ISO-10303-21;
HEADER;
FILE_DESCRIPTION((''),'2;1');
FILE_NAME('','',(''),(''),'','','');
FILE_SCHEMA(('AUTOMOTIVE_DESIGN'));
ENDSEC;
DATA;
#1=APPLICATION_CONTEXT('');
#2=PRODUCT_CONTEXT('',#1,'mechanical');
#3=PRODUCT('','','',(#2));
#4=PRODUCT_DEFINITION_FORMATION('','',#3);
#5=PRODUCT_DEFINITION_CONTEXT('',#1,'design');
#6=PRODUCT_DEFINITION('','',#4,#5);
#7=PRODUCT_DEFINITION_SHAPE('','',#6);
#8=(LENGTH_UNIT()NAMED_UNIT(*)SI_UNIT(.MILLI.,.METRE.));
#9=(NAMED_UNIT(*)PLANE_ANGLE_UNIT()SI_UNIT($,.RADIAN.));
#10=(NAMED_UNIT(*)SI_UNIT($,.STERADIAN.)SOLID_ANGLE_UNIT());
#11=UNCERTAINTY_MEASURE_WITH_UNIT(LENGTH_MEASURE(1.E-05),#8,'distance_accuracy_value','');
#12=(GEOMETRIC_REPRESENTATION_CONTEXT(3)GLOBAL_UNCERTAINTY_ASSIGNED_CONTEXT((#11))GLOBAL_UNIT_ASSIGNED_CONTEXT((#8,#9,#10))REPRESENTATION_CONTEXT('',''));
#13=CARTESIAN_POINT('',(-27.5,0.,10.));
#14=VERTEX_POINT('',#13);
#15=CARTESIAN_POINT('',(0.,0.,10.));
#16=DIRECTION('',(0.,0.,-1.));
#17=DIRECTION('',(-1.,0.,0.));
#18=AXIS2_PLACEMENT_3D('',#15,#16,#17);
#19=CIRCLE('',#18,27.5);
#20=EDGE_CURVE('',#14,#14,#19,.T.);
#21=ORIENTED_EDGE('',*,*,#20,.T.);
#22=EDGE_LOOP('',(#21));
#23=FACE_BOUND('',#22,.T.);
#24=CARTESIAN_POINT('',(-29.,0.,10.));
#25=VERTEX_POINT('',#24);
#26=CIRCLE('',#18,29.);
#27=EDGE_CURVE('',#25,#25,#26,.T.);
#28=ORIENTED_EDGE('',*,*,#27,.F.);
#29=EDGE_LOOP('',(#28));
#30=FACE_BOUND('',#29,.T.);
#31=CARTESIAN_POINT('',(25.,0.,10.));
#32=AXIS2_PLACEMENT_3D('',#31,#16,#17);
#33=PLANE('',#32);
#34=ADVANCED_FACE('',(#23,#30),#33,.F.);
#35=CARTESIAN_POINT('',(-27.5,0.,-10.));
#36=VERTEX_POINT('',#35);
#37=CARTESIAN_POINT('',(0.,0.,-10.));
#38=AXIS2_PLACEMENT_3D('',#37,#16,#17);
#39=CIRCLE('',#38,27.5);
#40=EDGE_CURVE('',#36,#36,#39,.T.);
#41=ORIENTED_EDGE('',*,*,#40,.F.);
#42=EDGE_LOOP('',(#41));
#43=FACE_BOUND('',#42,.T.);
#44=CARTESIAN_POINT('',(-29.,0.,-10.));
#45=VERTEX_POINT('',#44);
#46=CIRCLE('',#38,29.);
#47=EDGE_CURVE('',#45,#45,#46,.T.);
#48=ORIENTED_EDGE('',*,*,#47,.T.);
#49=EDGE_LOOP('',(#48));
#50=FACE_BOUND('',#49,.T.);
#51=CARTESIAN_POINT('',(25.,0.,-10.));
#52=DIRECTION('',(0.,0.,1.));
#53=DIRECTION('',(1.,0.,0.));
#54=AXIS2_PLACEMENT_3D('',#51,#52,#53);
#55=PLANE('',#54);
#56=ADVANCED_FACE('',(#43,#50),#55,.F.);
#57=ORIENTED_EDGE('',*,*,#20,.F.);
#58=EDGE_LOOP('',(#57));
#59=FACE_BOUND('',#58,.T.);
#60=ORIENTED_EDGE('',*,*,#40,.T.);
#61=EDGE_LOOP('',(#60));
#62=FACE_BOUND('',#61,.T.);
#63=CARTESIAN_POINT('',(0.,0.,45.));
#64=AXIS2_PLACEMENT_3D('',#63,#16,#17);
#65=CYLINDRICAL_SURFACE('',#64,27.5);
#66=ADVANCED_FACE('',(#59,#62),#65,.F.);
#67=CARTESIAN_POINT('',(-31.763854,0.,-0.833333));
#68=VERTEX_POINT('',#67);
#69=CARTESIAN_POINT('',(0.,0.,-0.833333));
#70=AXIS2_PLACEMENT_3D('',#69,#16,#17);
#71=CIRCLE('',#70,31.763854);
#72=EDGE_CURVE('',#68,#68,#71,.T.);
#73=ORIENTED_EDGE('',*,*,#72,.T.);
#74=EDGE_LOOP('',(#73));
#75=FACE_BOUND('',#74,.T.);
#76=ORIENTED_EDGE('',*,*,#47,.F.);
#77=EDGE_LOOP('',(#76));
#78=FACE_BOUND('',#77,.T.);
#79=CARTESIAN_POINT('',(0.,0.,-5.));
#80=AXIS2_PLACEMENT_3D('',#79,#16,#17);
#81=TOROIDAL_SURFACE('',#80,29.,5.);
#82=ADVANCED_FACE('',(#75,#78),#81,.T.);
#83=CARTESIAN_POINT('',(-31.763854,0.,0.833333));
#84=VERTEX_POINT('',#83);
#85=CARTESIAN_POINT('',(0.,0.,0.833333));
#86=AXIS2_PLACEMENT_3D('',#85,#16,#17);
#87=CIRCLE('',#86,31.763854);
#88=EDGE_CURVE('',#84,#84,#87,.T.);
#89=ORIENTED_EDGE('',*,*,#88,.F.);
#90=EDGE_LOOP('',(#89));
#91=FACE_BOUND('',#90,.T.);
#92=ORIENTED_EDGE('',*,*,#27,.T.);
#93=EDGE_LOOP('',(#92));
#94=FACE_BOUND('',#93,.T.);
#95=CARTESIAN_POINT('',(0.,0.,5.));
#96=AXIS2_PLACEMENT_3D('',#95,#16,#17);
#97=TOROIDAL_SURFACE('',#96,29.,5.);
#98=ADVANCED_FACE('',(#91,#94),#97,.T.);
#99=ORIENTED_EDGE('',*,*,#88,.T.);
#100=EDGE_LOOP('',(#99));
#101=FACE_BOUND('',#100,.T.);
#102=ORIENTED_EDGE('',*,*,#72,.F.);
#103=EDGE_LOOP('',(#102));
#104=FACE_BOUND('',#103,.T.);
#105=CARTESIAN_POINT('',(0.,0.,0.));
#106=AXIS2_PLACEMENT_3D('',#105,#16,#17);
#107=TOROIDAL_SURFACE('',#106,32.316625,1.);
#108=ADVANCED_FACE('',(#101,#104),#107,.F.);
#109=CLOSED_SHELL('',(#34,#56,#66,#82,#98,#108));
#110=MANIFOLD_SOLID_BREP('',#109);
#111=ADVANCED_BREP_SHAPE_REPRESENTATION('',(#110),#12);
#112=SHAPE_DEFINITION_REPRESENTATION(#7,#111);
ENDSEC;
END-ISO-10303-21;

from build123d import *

# Parameters (mm, degrees)
SKETCH_2_R               = 5
EXTRUDE_1_DEPTH          = 10
PATTERN_CIRCULAR_1_COUNT = 6
EXTRUDE_2_DEPTH          = 7
SKETCH_4_R               = 1.4
CUT_EXTRUDE_1_DEPTH      = 50.325449958
PATTERN_CIRCULAR_2_COUNT = 6
SKETCH_5_R               = 5.5
EXTRUDE_3_DEPTH          = 5
SKETCH_7_R               = 7
CUT_EXTRUDE_3_DEPTH      = 1.5
CUT_EXTRUDE_3_DRAFT      = -40
SKETCH_8_R               = 1.5
CUT_EXTRUDE_4_DEPTH      = 51.222007264
SKETCH_10_R              = 1.25
CUT_EXTRUDE_6_DEPTH      = 51.675437971
PATTERN_CIRCULAR_3_COUNT = 6
SKETCH_11_R              = 2.5
CUT_EXTRUDE_7_DEPTH      = 51.675437971
PATTERN_CIRCULAR_4_COUNT = 2
CUT_EXTRUDE_8_DEPTH      = 8
PATTERN_CIRCULAR_5_COUNT = 6
CUT_EXTRUDE_9_DEPTH      = 8
SKETCH_14_R              = 27.5
CUT_EXTRUDE_11_DEPTH     = 55


with BuildPart() as part:
    # 草图1 → 旋转1 (revolve)
    with BuildSketch(Plane(origin=(0, 0, 0), x_dir=(1, 0, 0), z_dir=(0, 1, 0)), mode=Mode.PRIVATE) as revolve_1_sk:
        with BuildLine():
            Line((25, 10), (25, -10))
            Line((25, -10), (29, -10))
            ThreePointArc((29, -10), (33.787135539, -6.443375673), (31.763853992, -0.833333333))
            ThreePointArc((31.763853992, -0.833333333), (31.31662479, 0), (31.763853992, 0.833333333))
            ThreePointArc((31.763853992, 0.833333333), (33.787135539, 6.443375673), (29, 10))
            Line((29, 10), (25, 10))
        make_face()
    revolve(revolve_1_sk.sketch.rotate(Axis((0, 0, -146.934042126), (0, 0, 1)), 180), axis=Axis((0, 0, -146.934042126), (0, 0, 1)))

    # 草图2 → 凸台-拉伸1 (add)
    with BuildSketch(Plane.XY.offset(6)):
        with Locations((0, 21.5)):
            Circle(SKETCH_2_R)
    extrude_1 = extrude(amount=-EXTRUDE_1_DEPTH)

    # 阵列(圆周)1: 凸台-拉伸1 ×6 about axis
    pattern_circular_1_axis = Axis((0, 0, 0), (0, 0, 1))
    for i in range(1, PATTERN_CIRCULAR_1_COUNT):
        add(extrude_1.rotate(pattern_circular_1_axis, i * 360 / PATTERN_CIRCULAR_1_COUNT))

    # 草图3 → 凸台-拉伸2 (add)
    with BuildSketch(Plane.XY.offset(6)):
        with BuildLine():
            Line((-8.082903769, 0), (-10.874355653, -4.834936491))
            Line((-10.874355653, -4.834936491), (-15.051918724, -7.246853654))
            ThreePointArc((-15.051918724, -7.246853654), (-14.289419162, -8.25), (-13.801918724, -9.411917163))
            Line((-13.801918724, -9.411917163), (-9.624355653, -7))
            Line((-9.624355653, -7), (-4.041451884, -7))
            Line((-4.041451884, -7), (-1.25, -11.834936491))
            Line((-1.25, -11.834936491), (-1.25, -16.658770817))
            ThreePointArc((-1.25, -16.658770817), (0, -16.5), (1.25, -16.658770817))
            Line((1.25, -16.658770817), (1.25, -11.834936491))
            Line((1.25, -11.834936491), (4.041451884, -7))
            Line((4.041451884, -7), (9.624355653, -7))
            Line((9.624355653, -7), (13.801918724, -9.411917163))
            ThreePointArc((13.801918724, -9.411917163), (14.289419162, -8.25), (15.051918724, -7.246853654))
            Line((15.051918724, -7.246853654), (10.874355653, -4.834936491))
            Line((10.874355653, -4.834936491), (8.082903769, 0))
            Line((8.082903769, 0), (10.874355653, 4.834936491))
            Line((10.874355653, 4.834936491), (15.051918724, 7.246853654))
            ThreePointArc((15.051918724, 7.246853654), (14.289419162, 8.25), (13.801918724, 9.411917163))
            Line((13.801918724, 9.411917163), (9.624355653, 7))
            Line((9.624355653, 7), (4.041451884, 7))
            Line((4.041451884, 7), (1.25, 11.834936491))
            Line((1.25, 11.834936491), (1.25, 16.658770817))
            ThreePointArc((1.25, 16.658770817), (0, 16.5), (-1.25, 16.658770817))
            Line((-1.25, 16.658770817), (-1.25, 11.834936491))
            Line((-1.25, 11.834936491), (-4.041451884, 7))
            Line((-4.041451884, 7), (-9.624355653, 7))
            Line((-9.624355653, 7), (-13.801918724, 9.411917163))
            ThreePointArc((-13.801918724, 9.411917163), (-14.289419162, 8.25), (-15.051918724, 7.246853654))
            Line((-15.051918724, 7.246853654), (-10.874355653, 4.834936491))
            Line((-10.874355653, 4.834936491), (-8.082903769, 0))
        make_face()
    extrude(amount=-EXTRUDE_2_DEPTH)

    # 草图4 → 切除-拉伸1 (cut, through all)
    with BuildSketch(Plane(origin=(0, 0, -1), x_dir=(-1, 0, 0), z_dir=(0, 0, -1))):
        with Locations((0, 8.5)):
            Circle(SKETCH_4_R)
    cut_extrude_1 = extrude(amount=-CUT_EXTRUDE_1_DEPTH, mode=Mode.SUBTRACT)

    # 阵列(圆周)2: 切除-拉伸1 ×6 about axis
    pattern_circular_2_axis = Axis((0, 0, 0), (0, 0, 1))
    for i in range(1, PATTERN_CIRCULAR_2_COUNT):
        add(cut_extrude_1.rotate(pattern_circular_2_axis, i * 360 / PATTERN_CIRCULAR_2_COUNT), mode=Mode.SUBTRACT)

    # 草图5 → 凸台-拉伸3 (add)
    with BuildSketch(Plane(origin=(0, 0, -1), x_dir=(-1, 0, 0), z_dir=(0, 0, -1))):
        with Locations(Location((0, 0, 0), (0, 0, 180))):
            Circle(SKETCH_5_R)
    extrude(amount=EXTRUDE_3_DEPTH)


with BuildPart() as cut_extrude_3_tool:
    # 草图7 → 切除-拉伸3 (with draft: the straight prism first)
    with BuildSketch(Plane.XY.offset(6)):
        Circle(SKETCH_7_R)
    extrude(amount=-CUT_EXTRUDE_3_DEPTH)
    # 切除-拉伸3: the draft: its side faces are tilted about the plane it starts from
    cut_extrude_3_sides = [cut_extrude_3_tool.faces().sort_by_distance(p)[0] for p in [
        (-7, 0, 5.25),
    ]]
    draft(cut_extrude_3_sides, Plane.XY.offset(6), CUT_EXTRUDE_3_DRAFT)


with BuildPart() as part_1:
    add(part.part)

    # 切除-拉伸3: cut by cut_extrude_3_tool
    add(cut_extrude_3_tool.part, mode=Mode.SUBTRACT)

    # 草图8 → 切除-拉伸4 (cut, through all)
    with BuildSketch(Plane.XY.offset(4.5)):
        Circle(SKETCH_8_R)
    extrude(amount=-CUT_EXTRUDE_4_DEPTH, mode=Mode.SUBTRACT)

    # 草图10 → 切除-拉伸6 (cut, through all)
    with BuildSketch(Plane.XY.offset(6)):
        with Locations((0, 21.5)):
            Circle(SKETCH_10_R)
    cut_extrude_6 = extrude(amount=-CUT_EXTRUDE_6_DEPTH, mode=Mode.SUBTRACT)

    # 阵列(圆周)3: 切除-拉伸6 ×6 about axis
    pattern_circular_3_axis = Axis((0, 0, 0), (0, 0, 1))
    for i in range(1, PATTERN_CIRCULAR_3_COUNT):
        add(cut_extrude_6.rotate(pattern_circular_3_axis, i * 360 / PATTERN_CIRCULAR_3_COUNT), mode=Mode.SUBTRACT)

    # 草图11 → 切除-拉伸7 (cut, through all)
    with BuildSketch(Plane.XY.offset(6)):
        with Locations((0, 21.5)):
            Circle(SKETCH_11_R)
    cut_extrude_7 = extrude(amount=-CUT_EXTRUDE_7_DEPTH, mode=Mode.SUBTRACT)

    # 阵列(圆周)4: 切除-拉伸7 ×2 about axis
    pattern_circular_4_axis = Axis((0, 0, 0), (0, 0, 1))
    for i in range(1, PATTERN_CIRCULAR_4_COUNT):
        add(cut_extrude_7.rotate(pattern_circular_4_axis, i * 360 / PATTERN_CIRCULAR_4_COUNT), mode=Mode.SUBTRACT)

    # 草图12 → 切除-拉伸8 (cut)
    with BuildSketch(Plane.XY.offset(6)):
        Polygon((20.062921854, 8.25), (21.506297527, 10.75), (20.062921854, 13.25), (17.176170508, 13.25), (15.732794835, 10.75), (17.176170508, 8.25), align=None)
    cut_extrude_8 = extrude(amount=-CUT_EXTRUDE_8_DEPTH, mode=Mode.SUBTRACT)

    # 阵列(圆周)5: 切除-拉伸8 ×6 about axis, 2 skipped
    pattern_circular_5_axis = Axis((0, 0, 0), (0, 0, -1))
    add([cut_extrude_8.rotate(pattern_circular_5_axis, i * 360 / PATTERN_CIRCULAR_5_COUNT) for i in range(1, PATTERN_CIRCULAR_5_COUNT) if i not in (2, 5)], mode=Mode.SUBTRACT)

    # 草图9 → 切除-拉伸9 (cut)
    with BuildSketch(Plane(origin=(0, 0, -6), x_dir=(-1, 0, 0), z_dir=(0, 0, -1))):
        Polygon((3.5, 0), (1.75, 3.031088913), (-1.75, 3.031088913), (-3.5, 0), (-1.75, -3.031088913), (1.75, -3.031088913), align=None)
    extrude(amount=-CUT_EXTRUDE_9_DEPTH, mode=Mode.SUBTRACT)

    # 草图14 → 切除-拉伸11 (cut)
    with BuildSketch(Plane(origin=(0, 0, -10), x_dir=(-1, 0, 0), z_dir=(0, 0, -1))):
        Circle(SKETCH_14_R)
    extrude(amount=-CUT_EXTRUDE_11_DEPTH, mode=Mode.SUBTRACT)


solid = part_1.part
